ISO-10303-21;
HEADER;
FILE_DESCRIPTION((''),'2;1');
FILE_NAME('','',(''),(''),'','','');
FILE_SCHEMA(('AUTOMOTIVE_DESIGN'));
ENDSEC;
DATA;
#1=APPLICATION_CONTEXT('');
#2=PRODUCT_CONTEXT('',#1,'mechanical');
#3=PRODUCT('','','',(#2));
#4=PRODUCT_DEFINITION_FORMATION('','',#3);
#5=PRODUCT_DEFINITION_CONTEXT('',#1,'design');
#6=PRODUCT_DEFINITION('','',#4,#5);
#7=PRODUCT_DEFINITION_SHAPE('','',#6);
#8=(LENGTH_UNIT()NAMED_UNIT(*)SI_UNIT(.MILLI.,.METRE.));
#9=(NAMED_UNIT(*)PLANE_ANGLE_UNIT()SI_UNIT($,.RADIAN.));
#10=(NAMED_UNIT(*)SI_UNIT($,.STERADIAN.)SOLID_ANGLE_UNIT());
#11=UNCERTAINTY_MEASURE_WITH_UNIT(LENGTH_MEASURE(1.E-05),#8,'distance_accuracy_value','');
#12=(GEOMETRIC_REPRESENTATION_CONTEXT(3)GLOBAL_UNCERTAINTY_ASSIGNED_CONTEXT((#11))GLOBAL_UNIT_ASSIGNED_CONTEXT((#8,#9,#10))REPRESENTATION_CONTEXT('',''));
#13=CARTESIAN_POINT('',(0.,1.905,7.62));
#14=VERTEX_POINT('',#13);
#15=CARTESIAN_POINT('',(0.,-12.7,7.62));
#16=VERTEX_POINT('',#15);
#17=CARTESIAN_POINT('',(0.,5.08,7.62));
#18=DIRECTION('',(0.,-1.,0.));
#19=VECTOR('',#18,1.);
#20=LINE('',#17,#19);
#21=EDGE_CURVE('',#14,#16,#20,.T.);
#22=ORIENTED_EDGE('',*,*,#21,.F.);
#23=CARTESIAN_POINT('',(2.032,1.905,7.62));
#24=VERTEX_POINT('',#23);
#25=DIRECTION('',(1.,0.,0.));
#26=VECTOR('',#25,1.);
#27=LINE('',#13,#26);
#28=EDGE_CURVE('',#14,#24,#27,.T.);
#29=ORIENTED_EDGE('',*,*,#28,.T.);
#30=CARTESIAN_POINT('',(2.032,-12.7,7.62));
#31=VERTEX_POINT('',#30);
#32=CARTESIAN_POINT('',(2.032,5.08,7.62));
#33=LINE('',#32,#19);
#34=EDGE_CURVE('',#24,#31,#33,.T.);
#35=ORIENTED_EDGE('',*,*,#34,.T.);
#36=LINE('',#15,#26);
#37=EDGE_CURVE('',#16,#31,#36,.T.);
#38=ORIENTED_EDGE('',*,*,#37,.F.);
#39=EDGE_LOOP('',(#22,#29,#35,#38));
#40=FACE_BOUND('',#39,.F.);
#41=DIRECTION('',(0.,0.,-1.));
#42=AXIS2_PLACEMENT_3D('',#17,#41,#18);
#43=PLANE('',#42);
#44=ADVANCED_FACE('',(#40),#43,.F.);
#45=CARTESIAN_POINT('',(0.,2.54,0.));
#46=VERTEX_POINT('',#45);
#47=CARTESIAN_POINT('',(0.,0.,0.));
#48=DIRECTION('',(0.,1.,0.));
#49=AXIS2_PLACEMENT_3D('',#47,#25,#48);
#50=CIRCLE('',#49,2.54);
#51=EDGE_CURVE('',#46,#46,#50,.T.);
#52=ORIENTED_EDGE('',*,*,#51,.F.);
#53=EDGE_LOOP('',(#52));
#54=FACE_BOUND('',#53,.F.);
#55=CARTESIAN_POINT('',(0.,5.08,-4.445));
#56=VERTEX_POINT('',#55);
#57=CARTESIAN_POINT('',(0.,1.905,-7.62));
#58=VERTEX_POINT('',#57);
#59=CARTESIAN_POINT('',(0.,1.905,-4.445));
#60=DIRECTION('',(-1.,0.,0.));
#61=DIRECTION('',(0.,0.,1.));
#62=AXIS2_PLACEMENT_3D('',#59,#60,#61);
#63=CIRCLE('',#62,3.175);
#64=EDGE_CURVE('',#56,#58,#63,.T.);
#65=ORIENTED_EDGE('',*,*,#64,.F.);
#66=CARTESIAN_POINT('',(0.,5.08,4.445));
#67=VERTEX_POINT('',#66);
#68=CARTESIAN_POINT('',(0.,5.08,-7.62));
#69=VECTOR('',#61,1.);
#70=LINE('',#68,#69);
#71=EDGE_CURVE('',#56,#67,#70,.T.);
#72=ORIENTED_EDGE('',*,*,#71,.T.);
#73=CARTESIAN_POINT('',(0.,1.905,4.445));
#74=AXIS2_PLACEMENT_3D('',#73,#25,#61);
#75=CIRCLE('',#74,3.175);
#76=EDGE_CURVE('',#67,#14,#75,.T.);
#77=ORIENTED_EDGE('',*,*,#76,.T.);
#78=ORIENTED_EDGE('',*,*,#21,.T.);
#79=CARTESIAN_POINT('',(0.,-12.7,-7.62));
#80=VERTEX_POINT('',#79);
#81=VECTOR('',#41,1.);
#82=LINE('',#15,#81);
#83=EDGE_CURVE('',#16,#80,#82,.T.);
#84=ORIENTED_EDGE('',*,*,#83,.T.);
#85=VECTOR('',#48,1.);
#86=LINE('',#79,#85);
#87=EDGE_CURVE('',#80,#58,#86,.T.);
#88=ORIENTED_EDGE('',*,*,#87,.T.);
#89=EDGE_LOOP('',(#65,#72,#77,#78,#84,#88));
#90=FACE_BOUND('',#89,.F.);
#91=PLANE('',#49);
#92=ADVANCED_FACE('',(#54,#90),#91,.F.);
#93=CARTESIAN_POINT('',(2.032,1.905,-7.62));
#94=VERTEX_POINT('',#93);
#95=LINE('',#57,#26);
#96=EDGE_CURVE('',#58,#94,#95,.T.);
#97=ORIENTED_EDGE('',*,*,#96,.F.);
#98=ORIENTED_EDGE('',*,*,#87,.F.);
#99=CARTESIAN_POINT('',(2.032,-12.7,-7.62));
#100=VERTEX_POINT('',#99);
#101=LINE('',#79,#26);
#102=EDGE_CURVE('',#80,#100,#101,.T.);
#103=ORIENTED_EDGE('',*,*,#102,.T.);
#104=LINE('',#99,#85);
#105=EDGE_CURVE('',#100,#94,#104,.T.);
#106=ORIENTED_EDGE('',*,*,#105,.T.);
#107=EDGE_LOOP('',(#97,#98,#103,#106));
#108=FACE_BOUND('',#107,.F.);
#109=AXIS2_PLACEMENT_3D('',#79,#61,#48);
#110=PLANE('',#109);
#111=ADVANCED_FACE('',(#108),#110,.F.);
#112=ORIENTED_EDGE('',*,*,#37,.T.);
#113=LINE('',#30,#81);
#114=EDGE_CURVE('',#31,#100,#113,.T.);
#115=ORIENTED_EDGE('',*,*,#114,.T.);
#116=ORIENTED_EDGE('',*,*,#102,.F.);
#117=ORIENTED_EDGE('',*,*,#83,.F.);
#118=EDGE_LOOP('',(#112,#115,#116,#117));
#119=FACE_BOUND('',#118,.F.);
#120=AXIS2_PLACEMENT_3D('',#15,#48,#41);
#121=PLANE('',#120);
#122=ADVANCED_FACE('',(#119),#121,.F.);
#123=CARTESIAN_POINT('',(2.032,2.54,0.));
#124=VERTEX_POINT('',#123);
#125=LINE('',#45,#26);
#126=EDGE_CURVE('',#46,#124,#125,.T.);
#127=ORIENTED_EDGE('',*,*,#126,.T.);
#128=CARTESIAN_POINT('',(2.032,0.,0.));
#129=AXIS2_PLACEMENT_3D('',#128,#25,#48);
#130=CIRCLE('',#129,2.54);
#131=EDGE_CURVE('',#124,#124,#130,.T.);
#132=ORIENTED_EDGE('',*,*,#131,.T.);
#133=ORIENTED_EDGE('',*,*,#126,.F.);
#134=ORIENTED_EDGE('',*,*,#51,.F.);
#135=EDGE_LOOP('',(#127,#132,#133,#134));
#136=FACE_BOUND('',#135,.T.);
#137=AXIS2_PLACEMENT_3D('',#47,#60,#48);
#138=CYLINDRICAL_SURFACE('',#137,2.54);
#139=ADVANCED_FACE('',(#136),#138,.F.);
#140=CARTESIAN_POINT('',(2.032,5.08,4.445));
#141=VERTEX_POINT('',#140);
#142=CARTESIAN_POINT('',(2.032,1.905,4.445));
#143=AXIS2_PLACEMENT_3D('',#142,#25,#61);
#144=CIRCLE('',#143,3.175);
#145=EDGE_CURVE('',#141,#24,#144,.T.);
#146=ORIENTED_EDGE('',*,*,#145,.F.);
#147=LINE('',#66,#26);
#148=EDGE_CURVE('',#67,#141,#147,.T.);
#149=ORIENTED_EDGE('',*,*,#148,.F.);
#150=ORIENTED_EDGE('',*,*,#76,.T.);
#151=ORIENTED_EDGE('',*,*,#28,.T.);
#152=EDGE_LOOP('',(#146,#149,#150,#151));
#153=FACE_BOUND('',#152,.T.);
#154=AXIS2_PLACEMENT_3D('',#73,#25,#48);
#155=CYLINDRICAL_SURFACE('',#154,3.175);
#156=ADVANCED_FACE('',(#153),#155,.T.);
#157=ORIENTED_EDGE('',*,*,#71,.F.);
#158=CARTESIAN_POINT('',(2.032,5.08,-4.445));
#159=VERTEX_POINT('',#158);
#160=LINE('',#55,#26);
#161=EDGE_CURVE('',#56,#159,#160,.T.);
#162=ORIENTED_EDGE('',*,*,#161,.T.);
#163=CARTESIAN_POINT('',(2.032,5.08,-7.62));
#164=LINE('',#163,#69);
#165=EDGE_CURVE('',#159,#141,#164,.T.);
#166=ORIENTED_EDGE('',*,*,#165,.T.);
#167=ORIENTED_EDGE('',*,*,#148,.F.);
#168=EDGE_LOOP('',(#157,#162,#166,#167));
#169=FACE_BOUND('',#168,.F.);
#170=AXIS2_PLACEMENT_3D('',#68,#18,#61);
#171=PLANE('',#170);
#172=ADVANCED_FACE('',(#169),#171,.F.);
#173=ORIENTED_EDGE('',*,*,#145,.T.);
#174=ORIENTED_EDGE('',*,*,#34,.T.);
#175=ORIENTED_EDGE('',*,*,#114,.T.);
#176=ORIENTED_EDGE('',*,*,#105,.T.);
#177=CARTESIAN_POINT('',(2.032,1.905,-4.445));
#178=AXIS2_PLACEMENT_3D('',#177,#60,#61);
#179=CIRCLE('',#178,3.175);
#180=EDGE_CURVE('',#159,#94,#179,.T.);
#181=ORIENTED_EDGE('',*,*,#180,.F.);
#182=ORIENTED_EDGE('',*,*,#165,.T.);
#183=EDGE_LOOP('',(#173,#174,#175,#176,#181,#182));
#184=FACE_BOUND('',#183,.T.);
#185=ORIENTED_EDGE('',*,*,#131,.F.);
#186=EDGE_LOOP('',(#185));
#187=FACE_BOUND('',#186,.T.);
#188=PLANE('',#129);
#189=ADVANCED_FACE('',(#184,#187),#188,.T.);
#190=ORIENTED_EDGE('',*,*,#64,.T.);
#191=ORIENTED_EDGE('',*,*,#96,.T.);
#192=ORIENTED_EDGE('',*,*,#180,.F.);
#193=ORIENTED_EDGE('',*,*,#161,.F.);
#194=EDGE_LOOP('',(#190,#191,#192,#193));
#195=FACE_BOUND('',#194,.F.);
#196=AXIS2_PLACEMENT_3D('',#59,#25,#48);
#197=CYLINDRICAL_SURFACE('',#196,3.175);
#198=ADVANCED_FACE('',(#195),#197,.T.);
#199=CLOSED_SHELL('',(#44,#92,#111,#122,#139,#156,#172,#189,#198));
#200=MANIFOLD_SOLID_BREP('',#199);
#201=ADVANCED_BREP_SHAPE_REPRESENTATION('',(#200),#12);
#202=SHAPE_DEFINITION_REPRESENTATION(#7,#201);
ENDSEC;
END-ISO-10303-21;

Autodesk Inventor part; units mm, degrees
ref_plane "YZ Plane" through (0, 0, 0) normal (1, 0, 0) x (0, 1, 0)
ref_plane "XZ Plane" through (0, 0, 0) normal (0, 1, 0) x (-1, 0, 0)
ref_plane "XY Plane" through (0, 0, 0) normal (0, 0, 1) x (1, 0, 0)
sketch "Sketch1" plane through (0, 0, 0) normal (1, 0, 0) x (0, 1, 0)
  circle A0 centre (0, 0) radius 2.54
  line L0 (5.08, 7.62) -> (-12.7, 7.62)
  line L1 (-12.7, 7.62) -> (-12.7, -7.62)
  line L2 (-12.7, -7.62) -> (5.08, -7.62)
  line L3 (5.08, -7.62) -> (5.08, 7.62)
  point P0 (5.08, 0)
  dimension "d0" = 5.08
  dimension "d1" = 15.24
  dimension "d2" = 17.78
  dimension "d5" = 5.08
extrude "Extrusion1" add sketch "Sketch1" along normal blind 2.032
fillet "Fillet1" radius 3.175 2 edges at (1.016, 5.08, 7.62) (1.016, 5.08, -7.62)
properties part number "Ell-Tab_small"
